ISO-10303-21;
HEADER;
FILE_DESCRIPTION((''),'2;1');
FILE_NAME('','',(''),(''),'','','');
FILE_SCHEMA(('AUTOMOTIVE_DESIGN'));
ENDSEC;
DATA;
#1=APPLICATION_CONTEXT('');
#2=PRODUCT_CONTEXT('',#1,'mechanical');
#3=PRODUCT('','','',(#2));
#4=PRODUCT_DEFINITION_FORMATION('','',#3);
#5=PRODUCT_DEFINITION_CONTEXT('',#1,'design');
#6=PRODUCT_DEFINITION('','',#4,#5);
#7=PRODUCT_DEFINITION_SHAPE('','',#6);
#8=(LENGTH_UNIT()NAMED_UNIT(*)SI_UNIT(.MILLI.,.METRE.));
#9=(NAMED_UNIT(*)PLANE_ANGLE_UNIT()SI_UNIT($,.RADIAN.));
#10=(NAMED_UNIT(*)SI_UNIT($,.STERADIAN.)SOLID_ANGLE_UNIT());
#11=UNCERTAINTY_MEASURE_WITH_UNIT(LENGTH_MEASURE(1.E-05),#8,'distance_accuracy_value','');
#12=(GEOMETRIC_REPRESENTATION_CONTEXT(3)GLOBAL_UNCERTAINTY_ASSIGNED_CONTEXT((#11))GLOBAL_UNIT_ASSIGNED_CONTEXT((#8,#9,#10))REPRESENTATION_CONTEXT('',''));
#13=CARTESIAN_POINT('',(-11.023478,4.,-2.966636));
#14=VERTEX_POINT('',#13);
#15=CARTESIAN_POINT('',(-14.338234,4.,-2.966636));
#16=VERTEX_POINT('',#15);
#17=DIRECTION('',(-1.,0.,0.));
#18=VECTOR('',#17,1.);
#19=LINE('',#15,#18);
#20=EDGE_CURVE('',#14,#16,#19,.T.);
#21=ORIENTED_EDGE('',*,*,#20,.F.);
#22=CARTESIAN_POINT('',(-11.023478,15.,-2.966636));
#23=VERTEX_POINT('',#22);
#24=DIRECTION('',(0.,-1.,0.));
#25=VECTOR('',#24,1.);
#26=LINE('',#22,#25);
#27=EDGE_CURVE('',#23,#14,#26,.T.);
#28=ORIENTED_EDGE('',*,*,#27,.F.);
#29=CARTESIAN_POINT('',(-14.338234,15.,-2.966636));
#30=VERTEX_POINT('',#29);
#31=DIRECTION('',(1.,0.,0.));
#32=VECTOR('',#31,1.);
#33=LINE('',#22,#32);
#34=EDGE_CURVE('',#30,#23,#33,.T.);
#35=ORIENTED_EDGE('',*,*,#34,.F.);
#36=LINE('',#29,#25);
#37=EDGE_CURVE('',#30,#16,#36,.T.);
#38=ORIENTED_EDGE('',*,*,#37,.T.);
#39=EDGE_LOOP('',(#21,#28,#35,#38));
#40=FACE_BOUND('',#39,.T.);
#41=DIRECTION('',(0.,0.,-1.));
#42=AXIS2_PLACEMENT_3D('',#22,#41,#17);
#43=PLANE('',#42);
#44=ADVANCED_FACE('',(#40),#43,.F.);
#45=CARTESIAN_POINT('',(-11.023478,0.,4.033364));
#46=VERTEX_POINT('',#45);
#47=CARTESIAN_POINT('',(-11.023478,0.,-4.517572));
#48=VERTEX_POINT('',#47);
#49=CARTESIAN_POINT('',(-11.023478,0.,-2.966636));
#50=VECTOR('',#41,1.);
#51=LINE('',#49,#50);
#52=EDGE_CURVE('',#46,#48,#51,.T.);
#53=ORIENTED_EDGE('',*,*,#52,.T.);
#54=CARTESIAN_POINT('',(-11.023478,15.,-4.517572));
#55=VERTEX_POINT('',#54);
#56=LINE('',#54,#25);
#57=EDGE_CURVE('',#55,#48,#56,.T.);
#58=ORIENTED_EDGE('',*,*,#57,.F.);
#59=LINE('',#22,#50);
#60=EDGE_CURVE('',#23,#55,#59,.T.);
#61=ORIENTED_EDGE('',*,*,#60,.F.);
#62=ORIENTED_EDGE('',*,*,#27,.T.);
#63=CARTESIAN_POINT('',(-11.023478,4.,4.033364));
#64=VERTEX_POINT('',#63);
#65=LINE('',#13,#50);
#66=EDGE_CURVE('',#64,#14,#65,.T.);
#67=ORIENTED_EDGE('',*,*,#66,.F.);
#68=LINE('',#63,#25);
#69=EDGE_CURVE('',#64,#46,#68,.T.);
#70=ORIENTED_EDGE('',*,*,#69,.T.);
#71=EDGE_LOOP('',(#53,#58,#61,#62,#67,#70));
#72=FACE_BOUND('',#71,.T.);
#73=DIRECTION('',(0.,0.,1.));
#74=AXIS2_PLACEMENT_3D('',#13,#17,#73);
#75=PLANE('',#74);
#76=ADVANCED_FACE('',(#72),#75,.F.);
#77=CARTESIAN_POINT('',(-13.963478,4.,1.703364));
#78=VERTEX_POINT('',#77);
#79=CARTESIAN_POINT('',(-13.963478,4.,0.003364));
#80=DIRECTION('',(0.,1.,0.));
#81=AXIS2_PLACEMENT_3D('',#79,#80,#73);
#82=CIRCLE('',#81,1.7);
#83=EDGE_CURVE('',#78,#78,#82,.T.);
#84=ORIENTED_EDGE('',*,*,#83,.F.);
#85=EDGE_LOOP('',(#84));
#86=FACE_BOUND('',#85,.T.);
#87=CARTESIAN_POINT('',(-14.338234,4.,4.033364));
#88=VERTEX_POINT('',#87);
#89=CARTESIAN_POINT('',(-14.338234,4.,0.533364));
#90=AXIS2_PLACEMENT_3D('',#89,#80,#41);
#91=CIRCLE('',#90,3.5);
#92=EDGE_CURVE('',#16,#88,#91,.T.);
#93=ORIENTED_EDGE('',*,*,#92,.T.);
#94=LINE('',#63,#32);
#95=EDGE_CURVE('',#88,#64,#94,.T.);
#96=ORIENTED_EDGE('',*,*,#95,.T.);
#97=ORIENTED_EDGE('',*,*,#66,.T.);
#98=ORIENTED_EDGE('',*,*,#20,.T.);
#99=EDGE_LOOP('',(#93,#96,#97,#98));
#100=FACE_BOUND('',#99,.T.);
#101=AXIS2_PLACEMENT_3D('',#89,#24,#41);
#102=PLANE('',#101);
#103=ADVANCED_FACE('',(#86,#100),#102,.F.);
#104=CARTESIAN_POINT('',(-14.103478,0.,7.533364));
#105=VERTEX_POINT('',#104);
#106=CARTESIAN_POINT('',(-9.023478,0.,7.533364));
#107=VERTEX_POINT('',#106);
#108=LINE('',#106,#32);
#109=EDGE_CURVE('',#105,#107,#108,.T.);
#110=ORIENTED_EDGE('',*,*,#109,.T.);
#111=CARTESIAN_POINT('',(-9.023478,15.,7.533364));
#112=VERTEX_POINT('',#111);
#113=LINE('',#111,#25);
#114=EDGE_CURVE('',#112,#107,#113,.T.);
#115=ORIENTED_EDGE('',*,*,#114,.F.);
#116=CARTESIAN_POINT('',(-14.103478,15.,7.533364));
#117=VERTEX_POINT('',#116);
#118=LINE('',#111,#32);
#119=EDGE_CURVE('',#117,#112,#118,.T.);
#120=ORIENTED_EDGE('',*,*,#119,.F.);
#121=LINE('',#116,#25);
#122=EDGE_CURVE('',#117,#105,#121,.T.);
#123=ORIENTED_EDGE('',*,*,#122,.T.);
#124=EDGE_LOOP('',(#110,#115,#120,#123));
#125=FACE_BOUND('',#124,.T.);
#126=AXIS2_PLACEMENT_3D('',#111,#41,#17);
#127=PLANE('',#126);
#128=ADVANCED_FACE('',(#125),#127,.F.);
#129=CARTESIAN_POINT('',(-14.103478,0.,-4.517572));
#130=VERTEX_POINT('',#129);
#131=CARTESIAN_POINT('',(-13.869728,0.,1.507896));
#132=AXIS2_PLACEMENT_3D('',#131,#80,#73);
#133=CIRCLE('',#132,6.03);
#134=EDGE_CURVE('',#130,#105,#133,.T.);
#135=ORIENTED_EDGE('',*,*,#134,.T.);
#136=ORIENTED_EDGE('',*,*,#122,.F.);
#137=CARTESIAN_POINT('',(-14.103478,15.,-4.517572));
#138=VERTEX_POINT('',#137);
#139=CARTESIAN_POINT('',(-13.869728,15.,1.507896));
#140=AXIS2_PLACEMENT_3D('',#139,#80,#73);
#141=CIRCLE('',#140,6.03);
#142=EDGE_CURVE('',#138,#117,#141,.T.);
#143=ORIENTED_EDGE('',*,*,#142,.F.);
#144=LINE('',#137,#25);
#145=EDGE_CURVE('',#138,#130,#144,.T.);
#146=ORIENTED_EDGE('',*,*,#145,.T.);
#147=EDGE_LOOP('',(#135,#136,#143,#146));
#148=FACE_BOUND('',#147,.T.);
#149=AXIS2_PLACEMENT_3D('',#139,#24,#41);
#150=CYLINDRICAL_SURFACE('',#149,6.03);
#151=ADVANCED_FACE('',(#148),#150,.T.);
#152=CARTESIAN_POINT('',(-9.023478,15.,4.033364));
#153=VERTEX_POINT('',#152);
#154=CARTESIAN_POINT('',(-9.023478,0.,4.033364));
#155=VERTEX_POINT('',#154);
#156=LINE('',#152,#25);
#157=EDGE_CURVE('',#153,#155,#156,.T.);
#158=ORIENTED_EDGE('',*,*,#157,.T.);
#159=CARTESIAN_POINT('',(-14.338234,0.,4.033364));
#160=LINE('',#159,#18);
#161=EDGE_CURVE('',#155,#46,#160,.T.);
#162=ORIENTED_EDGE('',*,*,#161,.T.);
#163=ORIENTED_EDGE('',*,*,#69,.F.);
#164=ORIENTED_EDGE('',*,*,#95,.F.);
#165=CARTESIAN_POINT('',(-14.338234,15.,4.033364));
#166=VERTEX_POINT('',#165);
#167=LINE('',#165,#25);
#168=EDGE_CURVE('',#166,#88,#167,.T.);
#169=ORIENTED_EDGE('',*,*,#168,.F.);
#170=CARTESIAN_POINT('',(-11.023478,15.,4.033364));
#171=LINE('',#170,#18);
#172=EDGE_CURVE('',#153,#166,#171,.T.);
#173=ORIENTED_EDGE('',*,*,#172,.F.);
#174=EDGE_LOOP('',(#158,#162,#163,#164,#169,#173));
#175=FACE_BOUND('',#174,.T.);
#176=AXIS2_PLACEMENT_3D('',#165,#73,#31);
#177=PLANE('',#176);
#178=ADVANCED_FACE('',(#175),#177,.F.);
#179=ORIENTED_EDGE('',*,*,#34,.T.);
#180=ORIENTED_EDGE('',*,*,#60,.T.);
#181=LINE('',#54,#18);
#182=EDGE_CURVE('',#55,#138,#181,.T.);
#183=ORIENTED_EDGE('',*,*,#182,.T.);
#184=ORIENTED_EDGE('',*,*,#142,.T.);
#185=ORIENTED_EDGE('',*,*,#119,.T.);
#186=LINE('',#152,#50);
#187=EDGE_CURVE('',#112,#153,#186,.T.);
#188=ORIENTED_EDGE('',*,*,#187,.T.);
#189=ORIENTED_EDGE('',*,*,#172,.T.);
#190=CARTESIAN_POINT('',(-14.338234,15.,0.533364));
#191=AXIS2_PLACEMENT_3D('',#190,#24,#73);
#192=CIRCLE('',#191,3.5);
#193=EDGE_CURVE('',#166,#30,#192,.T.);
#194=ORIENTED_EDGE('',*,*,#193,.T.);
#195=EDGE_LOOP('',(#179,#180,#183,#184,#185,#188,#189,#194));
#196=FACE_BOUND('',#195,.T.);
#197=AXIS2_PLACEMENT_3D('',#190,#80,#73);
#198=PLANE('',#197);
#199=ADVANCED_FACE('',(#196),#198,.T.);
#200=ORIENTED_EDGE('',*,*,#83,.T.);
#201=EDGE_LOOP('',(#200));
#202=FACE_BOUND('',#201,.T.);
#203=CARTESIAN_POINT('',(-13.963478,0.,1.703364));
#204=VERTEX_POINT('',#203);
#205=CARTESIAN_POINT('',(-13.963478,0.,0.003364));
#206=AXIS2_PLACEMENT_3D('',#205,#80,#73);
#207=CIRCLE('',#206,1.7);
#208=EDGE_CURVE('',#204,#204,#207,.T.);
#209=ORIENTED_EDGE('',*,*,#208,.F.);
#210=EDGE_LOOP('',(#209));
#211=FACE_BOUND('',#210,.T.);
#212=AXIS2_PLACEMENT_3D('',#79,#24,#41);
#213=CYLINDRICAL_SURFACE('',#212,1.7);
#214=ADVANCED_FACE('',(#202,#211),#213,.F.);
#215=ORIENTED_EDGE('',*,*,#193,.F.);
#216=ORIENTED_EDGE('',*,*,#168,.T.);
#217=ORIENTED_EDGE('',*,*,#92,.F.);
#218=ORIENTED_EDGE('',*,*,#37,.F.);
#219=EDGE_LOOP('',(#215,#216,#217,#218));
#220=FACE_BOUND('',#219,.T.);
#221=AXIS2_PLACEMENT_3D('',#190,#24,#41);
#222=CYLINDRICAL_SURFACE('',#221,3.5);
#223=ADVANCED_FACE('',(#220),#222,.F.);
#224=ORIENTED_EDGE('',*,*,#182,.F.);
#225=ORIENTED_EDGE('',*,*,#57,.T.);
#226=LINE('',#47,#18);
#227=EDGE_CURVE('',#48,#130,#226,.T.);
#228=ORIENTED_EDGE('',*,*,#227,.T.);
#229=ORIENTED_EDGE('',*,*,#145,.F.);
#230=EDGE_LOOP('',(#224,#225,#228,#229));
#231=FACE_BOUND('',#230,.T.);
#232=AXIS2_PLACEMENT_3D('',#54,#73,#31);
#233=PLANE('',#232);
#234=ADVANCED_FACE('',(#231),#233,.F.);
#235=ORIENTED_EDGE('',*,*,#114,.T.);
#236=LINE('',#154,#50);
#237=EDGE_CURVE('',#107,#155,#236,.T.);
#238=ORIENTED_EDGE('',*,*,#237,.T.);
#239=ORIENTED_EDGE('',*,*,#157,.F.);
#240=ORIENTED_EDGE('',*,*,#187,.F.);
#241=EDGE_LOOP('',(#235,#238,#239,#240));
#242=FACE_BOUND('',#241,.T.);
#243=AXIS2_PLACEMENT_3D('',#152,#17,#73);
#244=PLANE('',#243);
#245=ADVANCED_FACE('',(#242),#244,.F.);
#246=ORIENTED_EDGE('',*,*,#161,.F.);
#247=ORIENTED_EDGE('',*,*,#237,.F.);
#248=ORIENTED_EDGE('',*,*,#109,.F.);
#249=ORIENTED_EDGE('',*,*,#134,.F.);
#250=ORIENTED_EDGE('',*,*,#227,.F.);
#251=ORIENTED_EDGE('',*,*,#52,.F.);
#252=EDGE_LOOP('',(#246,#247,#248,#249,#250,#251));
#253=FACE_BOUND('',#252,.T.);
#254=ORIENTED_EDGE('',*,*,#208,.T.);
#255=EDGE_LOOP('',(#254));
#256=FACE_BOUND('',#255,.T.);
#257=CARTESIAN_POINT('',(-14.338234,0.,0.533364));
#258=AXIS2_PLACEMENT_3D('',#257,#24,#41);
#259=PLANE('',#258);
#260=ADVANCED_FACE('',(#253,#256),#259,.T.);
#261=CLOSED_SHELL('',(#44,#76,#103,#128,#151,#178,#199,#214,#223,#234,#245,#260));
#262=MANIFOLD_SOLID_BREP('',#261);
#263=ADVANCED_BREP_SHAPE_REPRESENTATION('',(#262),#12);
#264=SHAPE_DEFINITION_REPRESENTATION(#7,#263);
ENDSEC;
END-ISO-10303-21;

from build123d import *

# Parameters (mm, degrees)
SKETCH1_R           = 1.7
BOSS_EXTRUDE2_DEPTH = 4
BOSS_EXTRUDE3_DEPTH = 15


with BuildPart() as part:
    # Sketch1 → Boss-Extrude2 (new body)
    with BuildSketch(Plane(origin=(0, 0, 0), x_dir=(1, 0, 0), z_dir=(0, 1, 0))):
        with BuildLine():
            Line((-11.023477569, 2.96663632), (-11.023477569, -4.03336368))
            Line((-11.023477569, -4.03336368), (-14.338233671, -4.03336368))
            ThreePointArc((-14.338233671, -4.03336368), (-17.838233671, -0.53336368), (-14.338233671, 2.96663632))
            Line((-14.338233671, 2.96663632), (-11.023477569, 2.96663632))
        make_face()
        with Locations(Location((-13.963477569, -0.00336368, 0), (0, 0, 270))):
            Circle(SKETCH1_R, mode=Mode.SUBTRACT)
    extrude(amount=BOSS_EXTRUDE2_DEPTH)

    # Sketch2 → Boss-Extrude3 (add)
    with BuildSketch(Plane(origin=(0, 0, 0), x_dir=(1, 0, 0), z_dir=(0, 1, 0))):
        with BuildLine():
            Line((-11.023477569, 2.96663632), (-11.023477569, 4.517571778))
            Line((-11.023477569, 4.517571778), (-14.103477569, 4.517571778))
            ThreePointArc((-14.103477569, 4.517571778), (-19.899728462, -1.507895951), (-14.103477569, -7.53336368))
            Line((-14.103477569, -7.53336368), (-9.023477569, -7.53336368))
            Line((-9.023477569, -7.53336368), (-9.023477569, -4.03336368))
            Line((-9.023477569, -4.03336368), (-11.023477569, -4.03336368))
            Line((-11.023477569, -4.03336368), (-14.338233671, -4.03336368))
            ThreePointArc((-14.338233671, -4.03336368), (-17.838233671, -0.53336368), (-14.338233671, 2.96663632))
            Line((-14.338233671, 2.96663632), (-11.023477569, 2.96663632))
        make_face()
    extrude(amount=BOSS_EXTRUDE3_DEPTH)


solid = part.part
